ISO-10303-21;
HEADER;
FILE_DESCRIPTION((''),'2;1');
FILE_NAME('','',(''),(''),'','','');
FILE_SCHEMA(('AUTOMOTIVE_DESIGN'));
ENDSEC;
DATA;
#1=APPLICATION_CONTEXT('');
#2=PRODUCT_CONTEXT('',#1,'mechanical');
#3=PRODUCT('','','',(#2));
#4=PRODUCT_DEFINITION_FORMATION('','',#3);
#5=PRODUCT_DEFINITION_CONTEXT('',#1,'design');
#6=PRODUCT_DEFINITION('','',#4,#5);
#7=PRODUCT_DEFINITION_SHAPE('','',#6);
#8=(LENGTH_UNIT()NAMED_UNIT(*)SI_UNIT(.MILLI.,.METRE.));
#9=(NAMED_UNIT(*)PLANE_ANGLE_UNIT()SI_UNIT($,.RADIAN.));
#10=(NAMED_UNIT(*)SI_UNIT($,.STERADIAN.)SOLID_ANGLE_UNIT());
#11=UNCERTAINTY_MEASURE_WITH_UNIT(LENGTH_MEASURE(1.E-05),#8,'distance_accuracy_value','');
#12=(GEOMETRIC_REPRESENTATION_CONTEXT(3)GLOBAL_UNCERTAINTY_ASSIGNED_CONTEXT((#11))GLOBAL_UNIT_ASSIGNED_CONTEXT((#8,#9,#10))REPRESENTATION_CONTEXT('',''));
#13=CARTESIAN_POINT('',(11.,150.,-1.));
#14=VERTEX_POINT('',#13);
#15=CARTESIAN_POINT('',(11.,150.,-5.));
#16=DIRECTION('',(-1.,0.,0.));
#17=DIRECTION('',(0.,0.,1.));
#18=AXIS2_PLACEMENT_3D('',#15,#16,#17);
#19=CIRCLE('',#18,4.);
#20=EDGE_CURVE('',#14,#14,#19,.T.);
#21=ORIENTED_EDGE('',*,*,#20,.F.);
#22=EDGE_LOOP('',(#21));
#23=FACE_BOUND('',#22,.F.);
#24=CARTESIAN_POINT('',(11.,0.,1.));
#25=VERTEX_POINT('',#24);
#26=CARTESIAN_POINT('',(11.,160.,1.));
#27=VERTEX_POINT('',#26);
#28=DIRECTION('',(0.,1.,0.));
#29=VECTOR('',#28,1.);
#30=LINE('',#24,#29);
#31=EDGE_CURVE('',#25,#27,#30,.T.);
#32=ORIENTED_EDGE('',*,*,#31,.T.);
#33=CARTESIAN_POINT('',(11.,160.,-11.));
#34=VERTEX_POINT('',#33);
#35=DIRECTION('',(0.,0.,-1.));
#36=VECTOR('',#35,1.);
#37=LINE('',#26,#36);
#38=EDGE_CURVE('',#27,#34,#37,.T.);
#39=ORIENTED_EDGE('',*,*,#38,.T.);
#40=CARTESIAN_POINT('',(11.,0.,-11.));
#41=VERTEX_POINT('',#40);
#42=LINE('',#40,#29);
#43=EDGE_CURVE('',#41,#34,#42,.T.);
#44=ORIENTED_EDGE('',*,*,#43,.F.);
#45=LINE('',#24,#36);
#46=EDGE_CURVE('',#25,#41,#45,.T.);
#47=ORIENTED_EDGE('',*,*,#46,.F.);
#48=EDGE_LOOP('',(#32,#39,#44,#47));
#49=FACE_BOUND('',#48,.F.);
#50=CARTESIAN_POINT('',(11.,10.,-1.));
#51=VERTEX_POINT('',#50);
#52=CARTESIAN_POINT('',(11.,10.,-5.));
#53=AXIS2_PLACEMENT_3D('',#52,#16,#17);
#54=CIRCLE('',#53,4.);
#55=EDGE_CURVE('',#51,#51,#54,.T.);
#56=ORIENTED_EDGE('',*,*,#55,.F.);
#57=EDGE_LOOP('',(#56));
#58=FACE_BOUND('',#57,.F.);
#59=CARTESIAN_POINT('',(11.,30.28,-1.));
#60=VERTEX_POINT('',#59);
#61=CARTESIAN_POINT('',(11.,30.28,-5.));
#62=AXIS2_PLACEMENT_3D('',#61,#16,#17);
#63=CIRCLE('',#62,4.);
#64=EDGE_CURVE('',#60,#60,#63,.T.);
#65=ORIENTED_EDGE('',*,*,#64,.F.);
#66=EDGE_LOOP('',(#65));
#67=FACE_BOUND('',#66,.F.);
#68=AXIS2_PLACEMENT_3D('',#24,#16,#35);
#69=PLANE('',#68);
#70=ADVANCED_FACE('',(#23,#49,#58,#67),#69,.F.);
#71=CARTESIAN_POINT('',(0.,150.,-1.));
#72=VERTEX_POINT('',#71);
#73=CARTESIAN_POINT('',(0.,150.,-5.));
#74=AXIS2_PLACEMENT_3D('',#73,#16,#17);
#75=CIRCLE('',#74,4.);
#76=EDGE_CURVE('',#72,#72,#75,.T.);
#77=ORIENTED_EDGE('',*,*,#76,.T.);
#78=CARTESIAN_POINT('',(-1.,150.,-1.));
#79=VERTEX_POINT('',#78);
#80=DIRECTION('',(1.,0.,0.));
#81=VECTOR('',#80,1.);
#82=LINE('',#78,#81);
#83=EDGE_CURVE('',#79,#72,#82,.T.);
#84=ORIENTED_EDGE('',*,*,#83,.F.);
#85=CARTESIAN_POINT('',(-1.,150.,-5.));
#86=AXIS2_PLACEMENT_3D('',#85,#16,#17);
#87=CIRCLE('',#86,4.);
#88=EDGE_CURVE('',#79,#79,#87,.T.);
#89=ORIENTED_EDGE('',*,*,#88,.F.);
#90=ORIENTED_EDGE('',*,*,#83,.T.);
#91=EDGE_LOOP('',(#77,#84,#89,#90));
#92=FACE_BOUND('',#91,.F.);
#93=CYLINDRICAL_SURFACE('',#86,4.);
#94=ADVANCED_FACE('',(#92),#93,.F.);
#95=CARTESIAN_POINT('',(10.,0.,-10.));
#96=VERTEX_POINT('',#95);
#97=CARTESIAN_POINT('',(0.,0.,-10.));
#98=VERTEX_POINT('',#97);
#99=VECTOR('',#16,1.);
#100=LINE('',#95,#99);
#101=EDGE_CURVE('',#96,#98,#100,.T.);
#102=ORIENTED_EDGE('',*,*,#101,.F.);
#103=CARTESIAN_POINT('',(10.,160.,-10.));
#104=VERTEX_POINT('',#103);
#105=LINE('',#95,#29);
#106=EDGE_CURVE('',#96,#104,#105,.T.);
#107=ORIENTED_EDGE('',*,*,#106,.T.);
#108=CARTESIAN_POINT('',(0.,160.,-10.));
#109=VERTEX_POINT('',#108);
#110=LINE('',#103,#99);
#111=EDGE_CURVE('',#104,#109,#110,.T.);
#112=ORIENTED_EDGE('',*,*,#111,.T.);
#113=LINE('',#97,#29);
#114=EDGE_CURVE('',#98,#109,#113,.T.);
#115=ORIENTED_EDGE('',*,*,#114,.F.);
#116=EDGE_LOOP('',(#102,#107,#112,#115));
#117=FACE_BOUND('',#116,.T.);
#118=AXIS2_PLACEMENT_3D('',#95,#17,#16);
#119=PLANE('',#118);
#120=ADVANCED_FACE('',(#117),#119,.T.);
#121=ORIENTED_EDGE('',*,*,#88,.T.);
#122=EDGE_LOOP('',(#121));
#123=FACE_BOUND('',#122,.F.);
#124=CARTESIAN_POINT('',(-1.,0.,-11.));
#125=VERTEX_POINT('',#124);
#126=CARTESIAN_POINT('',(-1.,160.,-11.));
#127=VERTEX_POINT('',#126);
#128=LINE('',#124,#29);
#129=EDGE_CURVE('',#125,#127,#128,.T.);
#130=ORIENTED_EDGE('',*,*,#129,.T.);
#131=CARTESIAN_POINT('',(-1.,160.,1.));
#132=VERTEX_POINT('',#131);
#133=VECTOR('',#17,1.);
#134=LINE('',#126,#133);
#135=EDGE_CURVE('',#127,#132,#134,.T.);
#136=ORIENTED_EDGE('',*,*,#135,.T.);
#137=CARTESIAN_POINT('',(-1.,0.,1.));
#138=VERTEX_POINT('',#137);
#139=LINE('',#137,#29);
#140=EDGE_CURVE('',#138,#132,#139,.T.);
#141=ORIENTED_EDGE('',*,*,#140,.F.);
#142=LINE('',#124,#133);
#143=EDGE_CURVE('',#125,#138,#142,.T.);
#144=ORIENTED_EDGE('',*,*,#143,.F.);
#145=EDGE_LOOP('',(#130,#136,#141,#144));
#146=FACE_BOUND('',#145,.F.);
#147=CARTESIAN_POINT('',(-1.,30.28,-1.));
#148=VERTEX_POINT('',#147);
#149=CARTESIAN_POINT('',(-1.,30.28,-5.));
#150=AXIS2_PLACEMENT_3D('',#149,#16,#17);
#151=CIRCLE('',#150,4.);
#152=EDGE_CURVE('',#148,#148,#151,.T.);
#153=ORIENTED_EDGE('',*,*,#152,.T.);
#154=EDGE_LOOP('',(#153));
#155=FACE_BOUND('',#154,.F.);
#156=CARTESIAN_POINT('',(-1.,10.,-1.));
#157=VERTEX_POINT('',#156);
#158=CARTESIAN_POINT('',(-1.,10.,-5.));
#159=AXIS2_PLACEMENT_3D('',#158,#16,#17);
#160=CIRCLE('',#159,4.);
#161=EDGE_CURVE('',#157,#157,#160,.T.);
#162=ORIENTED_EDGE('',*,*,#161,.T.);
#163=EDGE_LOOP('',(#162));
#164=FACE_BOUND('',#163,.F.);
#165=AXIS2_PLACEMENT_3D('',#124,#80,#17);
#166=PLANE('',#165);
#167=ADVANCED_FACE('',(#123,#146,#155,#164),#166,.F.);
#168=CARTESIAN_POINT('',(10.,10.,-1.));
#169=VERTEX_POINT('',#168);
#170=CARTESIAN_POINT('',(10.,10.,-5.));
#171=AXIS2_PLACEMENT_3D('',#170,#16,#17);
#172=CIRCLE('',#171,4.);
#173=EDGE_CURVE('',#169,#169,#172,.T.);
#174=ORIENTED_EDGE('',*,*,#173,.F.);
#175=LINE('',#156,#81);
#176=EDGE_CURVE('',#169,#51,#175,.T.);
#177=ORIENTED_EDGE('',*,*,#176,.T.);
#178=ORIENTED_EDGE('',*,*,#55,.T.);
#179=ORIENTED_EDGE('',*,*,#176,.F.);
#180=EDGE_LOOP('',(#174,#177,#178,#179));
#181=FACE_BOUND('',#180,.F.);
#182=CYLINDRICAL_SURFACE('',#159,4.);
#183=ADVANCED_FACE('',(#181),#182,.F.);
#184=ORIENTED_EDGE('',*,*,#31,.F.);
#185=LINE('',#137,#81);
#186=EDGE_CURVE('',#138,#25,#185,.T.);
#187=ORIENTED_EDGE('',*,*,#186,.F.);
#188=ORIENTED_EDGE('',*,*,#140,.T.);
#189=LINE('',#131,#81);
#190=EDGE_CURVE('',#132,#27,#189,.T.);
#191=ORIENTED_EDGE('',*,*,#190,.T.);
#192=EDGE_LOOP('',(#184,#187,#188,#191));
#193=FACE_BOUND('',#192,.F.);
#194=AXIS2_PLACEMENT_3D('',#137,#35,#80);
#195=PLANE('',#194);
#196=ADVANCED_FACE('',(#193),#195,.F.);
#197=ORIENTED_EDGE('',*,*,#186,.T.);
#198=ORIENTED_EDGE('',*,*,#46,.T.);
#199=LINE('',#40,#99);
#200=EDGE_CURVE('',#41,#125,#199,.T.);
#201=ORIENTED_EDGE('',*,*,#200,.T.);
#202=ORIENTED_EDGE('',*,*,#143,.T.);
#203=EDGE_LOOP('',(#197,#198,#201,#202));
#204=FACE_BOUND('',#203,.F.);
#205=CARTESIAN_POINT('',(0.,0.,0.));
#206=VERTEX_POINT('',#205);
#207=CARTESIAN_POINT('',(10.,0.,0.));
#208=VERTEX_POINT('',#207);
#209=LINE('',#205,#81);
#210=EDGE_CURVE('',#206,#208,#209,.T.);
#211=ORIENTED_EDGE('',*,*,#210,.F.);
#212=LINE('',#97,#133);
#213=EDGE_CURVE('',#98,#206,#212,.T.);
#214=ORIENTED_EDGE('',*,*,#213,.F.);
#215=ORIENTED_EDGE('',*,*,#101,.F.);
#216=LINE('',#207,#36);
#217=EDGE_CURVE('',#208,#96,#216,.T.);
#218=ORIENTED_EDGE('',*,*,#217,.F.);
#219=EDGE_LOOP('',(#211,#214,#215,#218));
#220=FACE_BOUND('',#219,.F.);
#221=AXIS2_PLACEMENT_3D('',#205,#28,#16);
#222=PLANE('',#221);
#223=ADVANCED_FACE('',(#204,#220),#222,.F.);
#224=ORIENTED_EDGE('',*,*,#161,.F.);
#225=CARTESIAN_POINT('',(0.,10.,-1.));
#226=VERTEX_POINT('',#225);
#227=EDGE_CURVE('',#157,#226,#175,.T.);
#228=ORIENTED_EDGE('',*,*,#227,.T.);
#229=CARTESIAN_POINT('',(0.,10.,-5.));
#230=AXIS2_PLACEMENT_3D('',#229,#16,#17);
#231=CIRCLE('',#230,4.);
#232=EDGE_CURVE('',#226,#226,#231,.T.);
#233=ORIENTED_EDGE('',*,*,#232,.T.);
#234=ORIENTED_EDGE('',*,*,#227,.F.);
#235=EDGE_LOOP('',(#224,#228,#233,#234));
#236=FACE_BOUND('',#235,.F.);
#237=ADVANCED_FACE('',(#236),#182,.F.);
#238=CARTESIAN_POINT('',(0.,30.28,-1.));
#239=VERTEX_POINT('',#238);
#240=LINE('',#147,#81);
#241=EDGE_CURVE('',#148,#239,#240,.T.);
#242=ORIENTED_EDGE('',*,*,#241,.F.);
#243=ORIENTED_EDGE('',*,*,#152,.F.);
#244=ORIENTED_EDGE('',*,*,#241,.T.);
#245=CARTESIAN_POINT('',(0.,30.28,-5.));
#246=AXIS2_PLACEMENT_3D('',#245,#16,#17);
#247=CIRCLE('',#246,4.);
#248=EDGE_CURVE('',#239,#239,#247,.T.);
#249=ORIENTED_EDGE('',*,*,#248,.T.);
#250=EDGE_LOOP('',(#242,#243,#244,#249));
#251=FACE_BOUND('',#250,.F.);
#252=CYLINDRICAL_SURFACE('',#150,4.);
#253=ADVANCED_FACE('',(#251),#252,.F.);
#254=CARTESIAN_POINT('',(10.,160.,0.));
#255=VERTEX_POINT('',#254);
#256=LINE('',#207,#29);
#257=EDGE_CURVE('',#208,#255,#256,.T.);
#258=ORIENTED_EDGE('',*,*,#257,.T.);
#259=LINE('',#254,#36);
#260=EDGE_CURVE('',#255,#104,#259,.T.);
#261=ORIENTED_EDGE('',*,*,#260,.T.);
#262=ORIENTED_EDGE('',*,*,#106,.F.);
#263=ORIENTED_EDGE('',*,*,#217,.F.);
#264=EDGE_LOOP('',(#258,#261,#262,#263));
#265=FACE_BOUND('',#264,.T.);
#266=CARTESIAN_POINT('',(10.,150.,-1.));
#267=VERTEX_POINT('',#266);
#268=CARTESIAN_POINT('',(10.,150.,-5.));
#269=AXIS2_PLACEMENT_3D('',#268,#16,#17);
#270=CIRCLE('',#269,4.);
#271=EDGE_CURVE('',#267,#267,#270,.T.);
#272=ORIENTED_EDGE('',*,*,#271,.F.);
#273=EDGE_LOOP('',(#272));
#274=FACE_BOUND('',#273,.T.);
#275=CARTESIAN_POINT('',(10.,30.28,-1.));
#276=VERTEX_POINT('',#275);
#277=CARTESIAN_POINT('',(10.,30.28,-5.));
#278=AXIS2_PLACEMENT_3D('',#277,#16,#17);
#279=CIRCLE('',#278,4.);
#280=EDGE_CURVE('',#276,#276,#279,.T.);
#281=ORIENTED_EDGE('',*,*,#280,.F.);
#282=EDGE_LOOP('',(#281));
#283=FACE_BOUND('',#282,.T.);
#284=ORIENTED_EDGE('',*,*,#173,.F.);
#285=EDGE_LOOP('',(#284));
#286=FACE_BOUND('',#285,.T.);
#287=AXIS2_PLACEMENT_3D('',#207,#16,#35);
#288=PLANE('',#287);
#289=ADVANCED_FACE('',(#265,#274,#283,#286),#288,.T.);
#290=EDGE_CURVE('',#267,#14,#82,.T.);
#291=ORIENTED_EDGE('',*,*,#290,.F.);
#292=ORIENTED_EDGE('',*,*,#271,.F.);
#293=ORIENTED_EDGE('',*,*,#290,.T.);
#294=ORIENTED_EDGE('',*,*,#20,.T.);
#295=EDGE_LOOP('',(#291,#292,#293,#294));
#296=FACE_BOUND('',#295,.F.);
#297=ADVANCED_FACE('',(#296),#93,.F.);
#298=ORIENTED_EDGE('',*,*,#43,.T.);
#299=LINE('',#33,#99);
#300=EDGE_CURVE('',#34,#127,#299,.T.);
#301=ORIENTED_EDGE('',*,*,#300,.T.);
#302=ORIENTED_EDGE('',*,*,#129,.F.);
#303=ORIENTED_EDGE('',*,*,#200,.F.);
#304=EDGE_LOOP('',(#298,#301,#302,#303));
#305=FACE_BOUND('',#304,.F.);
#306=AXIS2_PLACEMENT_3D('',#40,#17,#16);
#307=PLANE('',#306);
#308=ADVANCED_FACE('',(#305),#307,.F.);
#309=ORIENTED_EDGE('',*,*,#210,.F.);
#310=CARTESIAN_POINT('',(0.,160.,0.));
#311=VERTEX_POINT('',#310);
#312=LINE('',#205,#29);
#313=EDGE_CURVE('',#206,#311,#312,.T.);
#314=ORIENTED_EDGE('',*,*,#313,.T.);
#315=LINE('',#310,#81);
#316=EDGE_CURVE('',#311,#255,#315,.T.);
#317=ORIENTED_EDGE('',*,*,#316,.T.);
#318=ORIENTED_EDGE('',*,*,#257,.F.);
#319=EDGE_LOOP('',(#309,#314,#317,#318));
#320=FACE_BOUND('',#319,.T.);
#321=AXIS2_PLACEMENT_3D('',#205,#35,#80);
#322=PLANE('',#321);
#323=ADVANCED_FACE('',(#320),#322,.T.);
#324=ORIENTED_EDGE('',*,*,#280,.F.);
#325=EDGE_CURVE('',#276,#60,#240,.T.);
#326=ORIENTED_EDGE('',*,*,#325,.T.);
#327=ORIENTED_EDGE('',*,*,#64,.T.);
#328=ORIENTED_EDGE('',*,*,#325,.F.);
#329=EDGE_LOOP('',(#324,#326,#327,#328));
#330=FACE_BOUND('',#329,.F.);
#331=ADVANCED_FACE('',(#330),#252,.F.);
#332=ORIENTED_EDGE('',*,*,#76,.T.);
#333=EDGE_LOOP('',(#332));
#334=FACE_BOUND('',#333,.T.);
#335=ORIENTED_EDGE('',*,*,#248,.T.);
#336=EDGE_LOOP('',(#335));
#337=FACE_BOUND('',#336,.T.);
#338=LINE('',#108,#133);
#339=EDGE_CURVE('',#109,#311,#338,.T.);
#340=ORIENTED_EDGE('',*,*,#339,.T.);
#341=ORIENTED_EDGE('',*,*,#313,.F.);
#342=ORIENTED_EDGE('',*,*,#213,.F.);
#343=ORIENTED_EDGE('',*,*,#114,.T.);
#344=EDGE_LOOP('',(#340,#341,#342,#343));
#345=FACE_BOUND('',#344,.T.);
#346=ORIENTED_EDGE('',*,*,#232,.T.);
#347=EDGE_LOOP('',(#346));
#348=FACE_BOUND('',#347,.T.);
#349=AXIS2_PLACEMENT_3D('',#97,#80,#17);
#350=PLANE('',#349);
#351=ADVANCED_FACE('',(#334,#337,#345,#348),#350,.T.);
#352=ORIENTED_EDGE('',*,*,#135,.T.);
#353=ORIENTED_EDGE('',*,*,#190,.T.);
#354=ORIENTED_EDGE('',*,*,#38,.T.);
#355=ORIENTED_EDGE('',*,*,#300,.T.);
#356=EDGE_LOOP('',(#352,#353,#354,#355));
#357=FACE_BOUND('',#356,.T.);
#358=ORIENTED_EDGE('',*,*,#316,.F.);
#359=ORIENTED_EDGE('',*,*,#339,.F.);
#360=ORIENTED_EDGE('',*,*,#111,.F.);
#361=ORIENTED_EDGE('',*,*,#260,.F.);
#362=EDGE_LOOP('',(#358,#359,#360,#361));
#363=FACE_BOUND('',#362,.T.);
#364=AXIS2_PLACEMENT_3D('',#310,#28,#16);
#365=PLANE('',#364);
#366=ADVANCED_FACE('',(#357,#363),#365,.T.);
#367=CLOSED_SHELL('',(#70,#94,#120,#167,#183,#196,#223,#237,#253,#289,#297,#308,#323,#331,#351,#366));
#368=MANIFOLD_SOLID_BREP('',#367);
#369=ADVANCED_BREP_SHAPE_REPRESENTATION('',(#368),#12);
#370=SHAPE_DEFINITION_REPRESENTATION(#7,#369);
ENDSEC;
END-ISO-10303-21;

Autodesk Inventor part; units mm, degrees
ref_plane "YZ Plane" through (0, 0, 0) normal (1, 0, 0) x (0, 1, 0)
ref_plane "XZ Plane" through (0, 0, 0) normal (0, 1, 0) x (-1, 0, 0)
ref_plane "XY Plane" through (0, 0, 0) normal (0, 0, 1) x (1, 0, 0)
sketch "Boceto1" plane through (0, 0, 0) normal (0, 1, 0) x (-1, 0, 0)
  line L0 (0, 0) -> (-10, 0)
  line L1 (-10, 0) -> (-10, -10)
  line L2 (-10, -10) -> (0, -10)
  line L3 (0, -10) -> (0, 0)
  line L4 (1, 1) -> (-11, 1)
  line L5 (-11, 1) -> (-11, -11)
  line L6 (-11, -11) -> (1, -11)
  line L7 (1, -11) -> (1, 1)
  dimension "d0" = 10
  dimension "d2" = 12
  dimension "d4" = 1
  dimension "d5" = 1
extrude "Extrusión1" add sketch "Boceto1" along normal blind 160
sketch "Boceto2" plane through (-1, 0, -11) normal (-1, 0, 0) x (0, 0, 1)
  circle A0 centre (6, 10) radius 4
  circle A1 centre (6, 30.28) radius 4
  line L0 (0, 0) -> (12, 0) projected
  line L1 (0, 0) -> (0, 160) projected
  circle A2 centre (6, 150) radius 4
  line L2 (0, 160) -> (12, 160) projected
  dimension "d8" = 8
  dimension "d9" = 8
  dimension "d11" = 20.28
  dimension "d14" = 10
  dimension "d15" = 6
  dimension "d16" = 6
  dimension "d17" = 8
  dimension "d18" = 6
  dimension "d19" = 10
extrude "Extrusión2" cut sketch "Boceto2" against normal blind 20
properties part number "brazo"
